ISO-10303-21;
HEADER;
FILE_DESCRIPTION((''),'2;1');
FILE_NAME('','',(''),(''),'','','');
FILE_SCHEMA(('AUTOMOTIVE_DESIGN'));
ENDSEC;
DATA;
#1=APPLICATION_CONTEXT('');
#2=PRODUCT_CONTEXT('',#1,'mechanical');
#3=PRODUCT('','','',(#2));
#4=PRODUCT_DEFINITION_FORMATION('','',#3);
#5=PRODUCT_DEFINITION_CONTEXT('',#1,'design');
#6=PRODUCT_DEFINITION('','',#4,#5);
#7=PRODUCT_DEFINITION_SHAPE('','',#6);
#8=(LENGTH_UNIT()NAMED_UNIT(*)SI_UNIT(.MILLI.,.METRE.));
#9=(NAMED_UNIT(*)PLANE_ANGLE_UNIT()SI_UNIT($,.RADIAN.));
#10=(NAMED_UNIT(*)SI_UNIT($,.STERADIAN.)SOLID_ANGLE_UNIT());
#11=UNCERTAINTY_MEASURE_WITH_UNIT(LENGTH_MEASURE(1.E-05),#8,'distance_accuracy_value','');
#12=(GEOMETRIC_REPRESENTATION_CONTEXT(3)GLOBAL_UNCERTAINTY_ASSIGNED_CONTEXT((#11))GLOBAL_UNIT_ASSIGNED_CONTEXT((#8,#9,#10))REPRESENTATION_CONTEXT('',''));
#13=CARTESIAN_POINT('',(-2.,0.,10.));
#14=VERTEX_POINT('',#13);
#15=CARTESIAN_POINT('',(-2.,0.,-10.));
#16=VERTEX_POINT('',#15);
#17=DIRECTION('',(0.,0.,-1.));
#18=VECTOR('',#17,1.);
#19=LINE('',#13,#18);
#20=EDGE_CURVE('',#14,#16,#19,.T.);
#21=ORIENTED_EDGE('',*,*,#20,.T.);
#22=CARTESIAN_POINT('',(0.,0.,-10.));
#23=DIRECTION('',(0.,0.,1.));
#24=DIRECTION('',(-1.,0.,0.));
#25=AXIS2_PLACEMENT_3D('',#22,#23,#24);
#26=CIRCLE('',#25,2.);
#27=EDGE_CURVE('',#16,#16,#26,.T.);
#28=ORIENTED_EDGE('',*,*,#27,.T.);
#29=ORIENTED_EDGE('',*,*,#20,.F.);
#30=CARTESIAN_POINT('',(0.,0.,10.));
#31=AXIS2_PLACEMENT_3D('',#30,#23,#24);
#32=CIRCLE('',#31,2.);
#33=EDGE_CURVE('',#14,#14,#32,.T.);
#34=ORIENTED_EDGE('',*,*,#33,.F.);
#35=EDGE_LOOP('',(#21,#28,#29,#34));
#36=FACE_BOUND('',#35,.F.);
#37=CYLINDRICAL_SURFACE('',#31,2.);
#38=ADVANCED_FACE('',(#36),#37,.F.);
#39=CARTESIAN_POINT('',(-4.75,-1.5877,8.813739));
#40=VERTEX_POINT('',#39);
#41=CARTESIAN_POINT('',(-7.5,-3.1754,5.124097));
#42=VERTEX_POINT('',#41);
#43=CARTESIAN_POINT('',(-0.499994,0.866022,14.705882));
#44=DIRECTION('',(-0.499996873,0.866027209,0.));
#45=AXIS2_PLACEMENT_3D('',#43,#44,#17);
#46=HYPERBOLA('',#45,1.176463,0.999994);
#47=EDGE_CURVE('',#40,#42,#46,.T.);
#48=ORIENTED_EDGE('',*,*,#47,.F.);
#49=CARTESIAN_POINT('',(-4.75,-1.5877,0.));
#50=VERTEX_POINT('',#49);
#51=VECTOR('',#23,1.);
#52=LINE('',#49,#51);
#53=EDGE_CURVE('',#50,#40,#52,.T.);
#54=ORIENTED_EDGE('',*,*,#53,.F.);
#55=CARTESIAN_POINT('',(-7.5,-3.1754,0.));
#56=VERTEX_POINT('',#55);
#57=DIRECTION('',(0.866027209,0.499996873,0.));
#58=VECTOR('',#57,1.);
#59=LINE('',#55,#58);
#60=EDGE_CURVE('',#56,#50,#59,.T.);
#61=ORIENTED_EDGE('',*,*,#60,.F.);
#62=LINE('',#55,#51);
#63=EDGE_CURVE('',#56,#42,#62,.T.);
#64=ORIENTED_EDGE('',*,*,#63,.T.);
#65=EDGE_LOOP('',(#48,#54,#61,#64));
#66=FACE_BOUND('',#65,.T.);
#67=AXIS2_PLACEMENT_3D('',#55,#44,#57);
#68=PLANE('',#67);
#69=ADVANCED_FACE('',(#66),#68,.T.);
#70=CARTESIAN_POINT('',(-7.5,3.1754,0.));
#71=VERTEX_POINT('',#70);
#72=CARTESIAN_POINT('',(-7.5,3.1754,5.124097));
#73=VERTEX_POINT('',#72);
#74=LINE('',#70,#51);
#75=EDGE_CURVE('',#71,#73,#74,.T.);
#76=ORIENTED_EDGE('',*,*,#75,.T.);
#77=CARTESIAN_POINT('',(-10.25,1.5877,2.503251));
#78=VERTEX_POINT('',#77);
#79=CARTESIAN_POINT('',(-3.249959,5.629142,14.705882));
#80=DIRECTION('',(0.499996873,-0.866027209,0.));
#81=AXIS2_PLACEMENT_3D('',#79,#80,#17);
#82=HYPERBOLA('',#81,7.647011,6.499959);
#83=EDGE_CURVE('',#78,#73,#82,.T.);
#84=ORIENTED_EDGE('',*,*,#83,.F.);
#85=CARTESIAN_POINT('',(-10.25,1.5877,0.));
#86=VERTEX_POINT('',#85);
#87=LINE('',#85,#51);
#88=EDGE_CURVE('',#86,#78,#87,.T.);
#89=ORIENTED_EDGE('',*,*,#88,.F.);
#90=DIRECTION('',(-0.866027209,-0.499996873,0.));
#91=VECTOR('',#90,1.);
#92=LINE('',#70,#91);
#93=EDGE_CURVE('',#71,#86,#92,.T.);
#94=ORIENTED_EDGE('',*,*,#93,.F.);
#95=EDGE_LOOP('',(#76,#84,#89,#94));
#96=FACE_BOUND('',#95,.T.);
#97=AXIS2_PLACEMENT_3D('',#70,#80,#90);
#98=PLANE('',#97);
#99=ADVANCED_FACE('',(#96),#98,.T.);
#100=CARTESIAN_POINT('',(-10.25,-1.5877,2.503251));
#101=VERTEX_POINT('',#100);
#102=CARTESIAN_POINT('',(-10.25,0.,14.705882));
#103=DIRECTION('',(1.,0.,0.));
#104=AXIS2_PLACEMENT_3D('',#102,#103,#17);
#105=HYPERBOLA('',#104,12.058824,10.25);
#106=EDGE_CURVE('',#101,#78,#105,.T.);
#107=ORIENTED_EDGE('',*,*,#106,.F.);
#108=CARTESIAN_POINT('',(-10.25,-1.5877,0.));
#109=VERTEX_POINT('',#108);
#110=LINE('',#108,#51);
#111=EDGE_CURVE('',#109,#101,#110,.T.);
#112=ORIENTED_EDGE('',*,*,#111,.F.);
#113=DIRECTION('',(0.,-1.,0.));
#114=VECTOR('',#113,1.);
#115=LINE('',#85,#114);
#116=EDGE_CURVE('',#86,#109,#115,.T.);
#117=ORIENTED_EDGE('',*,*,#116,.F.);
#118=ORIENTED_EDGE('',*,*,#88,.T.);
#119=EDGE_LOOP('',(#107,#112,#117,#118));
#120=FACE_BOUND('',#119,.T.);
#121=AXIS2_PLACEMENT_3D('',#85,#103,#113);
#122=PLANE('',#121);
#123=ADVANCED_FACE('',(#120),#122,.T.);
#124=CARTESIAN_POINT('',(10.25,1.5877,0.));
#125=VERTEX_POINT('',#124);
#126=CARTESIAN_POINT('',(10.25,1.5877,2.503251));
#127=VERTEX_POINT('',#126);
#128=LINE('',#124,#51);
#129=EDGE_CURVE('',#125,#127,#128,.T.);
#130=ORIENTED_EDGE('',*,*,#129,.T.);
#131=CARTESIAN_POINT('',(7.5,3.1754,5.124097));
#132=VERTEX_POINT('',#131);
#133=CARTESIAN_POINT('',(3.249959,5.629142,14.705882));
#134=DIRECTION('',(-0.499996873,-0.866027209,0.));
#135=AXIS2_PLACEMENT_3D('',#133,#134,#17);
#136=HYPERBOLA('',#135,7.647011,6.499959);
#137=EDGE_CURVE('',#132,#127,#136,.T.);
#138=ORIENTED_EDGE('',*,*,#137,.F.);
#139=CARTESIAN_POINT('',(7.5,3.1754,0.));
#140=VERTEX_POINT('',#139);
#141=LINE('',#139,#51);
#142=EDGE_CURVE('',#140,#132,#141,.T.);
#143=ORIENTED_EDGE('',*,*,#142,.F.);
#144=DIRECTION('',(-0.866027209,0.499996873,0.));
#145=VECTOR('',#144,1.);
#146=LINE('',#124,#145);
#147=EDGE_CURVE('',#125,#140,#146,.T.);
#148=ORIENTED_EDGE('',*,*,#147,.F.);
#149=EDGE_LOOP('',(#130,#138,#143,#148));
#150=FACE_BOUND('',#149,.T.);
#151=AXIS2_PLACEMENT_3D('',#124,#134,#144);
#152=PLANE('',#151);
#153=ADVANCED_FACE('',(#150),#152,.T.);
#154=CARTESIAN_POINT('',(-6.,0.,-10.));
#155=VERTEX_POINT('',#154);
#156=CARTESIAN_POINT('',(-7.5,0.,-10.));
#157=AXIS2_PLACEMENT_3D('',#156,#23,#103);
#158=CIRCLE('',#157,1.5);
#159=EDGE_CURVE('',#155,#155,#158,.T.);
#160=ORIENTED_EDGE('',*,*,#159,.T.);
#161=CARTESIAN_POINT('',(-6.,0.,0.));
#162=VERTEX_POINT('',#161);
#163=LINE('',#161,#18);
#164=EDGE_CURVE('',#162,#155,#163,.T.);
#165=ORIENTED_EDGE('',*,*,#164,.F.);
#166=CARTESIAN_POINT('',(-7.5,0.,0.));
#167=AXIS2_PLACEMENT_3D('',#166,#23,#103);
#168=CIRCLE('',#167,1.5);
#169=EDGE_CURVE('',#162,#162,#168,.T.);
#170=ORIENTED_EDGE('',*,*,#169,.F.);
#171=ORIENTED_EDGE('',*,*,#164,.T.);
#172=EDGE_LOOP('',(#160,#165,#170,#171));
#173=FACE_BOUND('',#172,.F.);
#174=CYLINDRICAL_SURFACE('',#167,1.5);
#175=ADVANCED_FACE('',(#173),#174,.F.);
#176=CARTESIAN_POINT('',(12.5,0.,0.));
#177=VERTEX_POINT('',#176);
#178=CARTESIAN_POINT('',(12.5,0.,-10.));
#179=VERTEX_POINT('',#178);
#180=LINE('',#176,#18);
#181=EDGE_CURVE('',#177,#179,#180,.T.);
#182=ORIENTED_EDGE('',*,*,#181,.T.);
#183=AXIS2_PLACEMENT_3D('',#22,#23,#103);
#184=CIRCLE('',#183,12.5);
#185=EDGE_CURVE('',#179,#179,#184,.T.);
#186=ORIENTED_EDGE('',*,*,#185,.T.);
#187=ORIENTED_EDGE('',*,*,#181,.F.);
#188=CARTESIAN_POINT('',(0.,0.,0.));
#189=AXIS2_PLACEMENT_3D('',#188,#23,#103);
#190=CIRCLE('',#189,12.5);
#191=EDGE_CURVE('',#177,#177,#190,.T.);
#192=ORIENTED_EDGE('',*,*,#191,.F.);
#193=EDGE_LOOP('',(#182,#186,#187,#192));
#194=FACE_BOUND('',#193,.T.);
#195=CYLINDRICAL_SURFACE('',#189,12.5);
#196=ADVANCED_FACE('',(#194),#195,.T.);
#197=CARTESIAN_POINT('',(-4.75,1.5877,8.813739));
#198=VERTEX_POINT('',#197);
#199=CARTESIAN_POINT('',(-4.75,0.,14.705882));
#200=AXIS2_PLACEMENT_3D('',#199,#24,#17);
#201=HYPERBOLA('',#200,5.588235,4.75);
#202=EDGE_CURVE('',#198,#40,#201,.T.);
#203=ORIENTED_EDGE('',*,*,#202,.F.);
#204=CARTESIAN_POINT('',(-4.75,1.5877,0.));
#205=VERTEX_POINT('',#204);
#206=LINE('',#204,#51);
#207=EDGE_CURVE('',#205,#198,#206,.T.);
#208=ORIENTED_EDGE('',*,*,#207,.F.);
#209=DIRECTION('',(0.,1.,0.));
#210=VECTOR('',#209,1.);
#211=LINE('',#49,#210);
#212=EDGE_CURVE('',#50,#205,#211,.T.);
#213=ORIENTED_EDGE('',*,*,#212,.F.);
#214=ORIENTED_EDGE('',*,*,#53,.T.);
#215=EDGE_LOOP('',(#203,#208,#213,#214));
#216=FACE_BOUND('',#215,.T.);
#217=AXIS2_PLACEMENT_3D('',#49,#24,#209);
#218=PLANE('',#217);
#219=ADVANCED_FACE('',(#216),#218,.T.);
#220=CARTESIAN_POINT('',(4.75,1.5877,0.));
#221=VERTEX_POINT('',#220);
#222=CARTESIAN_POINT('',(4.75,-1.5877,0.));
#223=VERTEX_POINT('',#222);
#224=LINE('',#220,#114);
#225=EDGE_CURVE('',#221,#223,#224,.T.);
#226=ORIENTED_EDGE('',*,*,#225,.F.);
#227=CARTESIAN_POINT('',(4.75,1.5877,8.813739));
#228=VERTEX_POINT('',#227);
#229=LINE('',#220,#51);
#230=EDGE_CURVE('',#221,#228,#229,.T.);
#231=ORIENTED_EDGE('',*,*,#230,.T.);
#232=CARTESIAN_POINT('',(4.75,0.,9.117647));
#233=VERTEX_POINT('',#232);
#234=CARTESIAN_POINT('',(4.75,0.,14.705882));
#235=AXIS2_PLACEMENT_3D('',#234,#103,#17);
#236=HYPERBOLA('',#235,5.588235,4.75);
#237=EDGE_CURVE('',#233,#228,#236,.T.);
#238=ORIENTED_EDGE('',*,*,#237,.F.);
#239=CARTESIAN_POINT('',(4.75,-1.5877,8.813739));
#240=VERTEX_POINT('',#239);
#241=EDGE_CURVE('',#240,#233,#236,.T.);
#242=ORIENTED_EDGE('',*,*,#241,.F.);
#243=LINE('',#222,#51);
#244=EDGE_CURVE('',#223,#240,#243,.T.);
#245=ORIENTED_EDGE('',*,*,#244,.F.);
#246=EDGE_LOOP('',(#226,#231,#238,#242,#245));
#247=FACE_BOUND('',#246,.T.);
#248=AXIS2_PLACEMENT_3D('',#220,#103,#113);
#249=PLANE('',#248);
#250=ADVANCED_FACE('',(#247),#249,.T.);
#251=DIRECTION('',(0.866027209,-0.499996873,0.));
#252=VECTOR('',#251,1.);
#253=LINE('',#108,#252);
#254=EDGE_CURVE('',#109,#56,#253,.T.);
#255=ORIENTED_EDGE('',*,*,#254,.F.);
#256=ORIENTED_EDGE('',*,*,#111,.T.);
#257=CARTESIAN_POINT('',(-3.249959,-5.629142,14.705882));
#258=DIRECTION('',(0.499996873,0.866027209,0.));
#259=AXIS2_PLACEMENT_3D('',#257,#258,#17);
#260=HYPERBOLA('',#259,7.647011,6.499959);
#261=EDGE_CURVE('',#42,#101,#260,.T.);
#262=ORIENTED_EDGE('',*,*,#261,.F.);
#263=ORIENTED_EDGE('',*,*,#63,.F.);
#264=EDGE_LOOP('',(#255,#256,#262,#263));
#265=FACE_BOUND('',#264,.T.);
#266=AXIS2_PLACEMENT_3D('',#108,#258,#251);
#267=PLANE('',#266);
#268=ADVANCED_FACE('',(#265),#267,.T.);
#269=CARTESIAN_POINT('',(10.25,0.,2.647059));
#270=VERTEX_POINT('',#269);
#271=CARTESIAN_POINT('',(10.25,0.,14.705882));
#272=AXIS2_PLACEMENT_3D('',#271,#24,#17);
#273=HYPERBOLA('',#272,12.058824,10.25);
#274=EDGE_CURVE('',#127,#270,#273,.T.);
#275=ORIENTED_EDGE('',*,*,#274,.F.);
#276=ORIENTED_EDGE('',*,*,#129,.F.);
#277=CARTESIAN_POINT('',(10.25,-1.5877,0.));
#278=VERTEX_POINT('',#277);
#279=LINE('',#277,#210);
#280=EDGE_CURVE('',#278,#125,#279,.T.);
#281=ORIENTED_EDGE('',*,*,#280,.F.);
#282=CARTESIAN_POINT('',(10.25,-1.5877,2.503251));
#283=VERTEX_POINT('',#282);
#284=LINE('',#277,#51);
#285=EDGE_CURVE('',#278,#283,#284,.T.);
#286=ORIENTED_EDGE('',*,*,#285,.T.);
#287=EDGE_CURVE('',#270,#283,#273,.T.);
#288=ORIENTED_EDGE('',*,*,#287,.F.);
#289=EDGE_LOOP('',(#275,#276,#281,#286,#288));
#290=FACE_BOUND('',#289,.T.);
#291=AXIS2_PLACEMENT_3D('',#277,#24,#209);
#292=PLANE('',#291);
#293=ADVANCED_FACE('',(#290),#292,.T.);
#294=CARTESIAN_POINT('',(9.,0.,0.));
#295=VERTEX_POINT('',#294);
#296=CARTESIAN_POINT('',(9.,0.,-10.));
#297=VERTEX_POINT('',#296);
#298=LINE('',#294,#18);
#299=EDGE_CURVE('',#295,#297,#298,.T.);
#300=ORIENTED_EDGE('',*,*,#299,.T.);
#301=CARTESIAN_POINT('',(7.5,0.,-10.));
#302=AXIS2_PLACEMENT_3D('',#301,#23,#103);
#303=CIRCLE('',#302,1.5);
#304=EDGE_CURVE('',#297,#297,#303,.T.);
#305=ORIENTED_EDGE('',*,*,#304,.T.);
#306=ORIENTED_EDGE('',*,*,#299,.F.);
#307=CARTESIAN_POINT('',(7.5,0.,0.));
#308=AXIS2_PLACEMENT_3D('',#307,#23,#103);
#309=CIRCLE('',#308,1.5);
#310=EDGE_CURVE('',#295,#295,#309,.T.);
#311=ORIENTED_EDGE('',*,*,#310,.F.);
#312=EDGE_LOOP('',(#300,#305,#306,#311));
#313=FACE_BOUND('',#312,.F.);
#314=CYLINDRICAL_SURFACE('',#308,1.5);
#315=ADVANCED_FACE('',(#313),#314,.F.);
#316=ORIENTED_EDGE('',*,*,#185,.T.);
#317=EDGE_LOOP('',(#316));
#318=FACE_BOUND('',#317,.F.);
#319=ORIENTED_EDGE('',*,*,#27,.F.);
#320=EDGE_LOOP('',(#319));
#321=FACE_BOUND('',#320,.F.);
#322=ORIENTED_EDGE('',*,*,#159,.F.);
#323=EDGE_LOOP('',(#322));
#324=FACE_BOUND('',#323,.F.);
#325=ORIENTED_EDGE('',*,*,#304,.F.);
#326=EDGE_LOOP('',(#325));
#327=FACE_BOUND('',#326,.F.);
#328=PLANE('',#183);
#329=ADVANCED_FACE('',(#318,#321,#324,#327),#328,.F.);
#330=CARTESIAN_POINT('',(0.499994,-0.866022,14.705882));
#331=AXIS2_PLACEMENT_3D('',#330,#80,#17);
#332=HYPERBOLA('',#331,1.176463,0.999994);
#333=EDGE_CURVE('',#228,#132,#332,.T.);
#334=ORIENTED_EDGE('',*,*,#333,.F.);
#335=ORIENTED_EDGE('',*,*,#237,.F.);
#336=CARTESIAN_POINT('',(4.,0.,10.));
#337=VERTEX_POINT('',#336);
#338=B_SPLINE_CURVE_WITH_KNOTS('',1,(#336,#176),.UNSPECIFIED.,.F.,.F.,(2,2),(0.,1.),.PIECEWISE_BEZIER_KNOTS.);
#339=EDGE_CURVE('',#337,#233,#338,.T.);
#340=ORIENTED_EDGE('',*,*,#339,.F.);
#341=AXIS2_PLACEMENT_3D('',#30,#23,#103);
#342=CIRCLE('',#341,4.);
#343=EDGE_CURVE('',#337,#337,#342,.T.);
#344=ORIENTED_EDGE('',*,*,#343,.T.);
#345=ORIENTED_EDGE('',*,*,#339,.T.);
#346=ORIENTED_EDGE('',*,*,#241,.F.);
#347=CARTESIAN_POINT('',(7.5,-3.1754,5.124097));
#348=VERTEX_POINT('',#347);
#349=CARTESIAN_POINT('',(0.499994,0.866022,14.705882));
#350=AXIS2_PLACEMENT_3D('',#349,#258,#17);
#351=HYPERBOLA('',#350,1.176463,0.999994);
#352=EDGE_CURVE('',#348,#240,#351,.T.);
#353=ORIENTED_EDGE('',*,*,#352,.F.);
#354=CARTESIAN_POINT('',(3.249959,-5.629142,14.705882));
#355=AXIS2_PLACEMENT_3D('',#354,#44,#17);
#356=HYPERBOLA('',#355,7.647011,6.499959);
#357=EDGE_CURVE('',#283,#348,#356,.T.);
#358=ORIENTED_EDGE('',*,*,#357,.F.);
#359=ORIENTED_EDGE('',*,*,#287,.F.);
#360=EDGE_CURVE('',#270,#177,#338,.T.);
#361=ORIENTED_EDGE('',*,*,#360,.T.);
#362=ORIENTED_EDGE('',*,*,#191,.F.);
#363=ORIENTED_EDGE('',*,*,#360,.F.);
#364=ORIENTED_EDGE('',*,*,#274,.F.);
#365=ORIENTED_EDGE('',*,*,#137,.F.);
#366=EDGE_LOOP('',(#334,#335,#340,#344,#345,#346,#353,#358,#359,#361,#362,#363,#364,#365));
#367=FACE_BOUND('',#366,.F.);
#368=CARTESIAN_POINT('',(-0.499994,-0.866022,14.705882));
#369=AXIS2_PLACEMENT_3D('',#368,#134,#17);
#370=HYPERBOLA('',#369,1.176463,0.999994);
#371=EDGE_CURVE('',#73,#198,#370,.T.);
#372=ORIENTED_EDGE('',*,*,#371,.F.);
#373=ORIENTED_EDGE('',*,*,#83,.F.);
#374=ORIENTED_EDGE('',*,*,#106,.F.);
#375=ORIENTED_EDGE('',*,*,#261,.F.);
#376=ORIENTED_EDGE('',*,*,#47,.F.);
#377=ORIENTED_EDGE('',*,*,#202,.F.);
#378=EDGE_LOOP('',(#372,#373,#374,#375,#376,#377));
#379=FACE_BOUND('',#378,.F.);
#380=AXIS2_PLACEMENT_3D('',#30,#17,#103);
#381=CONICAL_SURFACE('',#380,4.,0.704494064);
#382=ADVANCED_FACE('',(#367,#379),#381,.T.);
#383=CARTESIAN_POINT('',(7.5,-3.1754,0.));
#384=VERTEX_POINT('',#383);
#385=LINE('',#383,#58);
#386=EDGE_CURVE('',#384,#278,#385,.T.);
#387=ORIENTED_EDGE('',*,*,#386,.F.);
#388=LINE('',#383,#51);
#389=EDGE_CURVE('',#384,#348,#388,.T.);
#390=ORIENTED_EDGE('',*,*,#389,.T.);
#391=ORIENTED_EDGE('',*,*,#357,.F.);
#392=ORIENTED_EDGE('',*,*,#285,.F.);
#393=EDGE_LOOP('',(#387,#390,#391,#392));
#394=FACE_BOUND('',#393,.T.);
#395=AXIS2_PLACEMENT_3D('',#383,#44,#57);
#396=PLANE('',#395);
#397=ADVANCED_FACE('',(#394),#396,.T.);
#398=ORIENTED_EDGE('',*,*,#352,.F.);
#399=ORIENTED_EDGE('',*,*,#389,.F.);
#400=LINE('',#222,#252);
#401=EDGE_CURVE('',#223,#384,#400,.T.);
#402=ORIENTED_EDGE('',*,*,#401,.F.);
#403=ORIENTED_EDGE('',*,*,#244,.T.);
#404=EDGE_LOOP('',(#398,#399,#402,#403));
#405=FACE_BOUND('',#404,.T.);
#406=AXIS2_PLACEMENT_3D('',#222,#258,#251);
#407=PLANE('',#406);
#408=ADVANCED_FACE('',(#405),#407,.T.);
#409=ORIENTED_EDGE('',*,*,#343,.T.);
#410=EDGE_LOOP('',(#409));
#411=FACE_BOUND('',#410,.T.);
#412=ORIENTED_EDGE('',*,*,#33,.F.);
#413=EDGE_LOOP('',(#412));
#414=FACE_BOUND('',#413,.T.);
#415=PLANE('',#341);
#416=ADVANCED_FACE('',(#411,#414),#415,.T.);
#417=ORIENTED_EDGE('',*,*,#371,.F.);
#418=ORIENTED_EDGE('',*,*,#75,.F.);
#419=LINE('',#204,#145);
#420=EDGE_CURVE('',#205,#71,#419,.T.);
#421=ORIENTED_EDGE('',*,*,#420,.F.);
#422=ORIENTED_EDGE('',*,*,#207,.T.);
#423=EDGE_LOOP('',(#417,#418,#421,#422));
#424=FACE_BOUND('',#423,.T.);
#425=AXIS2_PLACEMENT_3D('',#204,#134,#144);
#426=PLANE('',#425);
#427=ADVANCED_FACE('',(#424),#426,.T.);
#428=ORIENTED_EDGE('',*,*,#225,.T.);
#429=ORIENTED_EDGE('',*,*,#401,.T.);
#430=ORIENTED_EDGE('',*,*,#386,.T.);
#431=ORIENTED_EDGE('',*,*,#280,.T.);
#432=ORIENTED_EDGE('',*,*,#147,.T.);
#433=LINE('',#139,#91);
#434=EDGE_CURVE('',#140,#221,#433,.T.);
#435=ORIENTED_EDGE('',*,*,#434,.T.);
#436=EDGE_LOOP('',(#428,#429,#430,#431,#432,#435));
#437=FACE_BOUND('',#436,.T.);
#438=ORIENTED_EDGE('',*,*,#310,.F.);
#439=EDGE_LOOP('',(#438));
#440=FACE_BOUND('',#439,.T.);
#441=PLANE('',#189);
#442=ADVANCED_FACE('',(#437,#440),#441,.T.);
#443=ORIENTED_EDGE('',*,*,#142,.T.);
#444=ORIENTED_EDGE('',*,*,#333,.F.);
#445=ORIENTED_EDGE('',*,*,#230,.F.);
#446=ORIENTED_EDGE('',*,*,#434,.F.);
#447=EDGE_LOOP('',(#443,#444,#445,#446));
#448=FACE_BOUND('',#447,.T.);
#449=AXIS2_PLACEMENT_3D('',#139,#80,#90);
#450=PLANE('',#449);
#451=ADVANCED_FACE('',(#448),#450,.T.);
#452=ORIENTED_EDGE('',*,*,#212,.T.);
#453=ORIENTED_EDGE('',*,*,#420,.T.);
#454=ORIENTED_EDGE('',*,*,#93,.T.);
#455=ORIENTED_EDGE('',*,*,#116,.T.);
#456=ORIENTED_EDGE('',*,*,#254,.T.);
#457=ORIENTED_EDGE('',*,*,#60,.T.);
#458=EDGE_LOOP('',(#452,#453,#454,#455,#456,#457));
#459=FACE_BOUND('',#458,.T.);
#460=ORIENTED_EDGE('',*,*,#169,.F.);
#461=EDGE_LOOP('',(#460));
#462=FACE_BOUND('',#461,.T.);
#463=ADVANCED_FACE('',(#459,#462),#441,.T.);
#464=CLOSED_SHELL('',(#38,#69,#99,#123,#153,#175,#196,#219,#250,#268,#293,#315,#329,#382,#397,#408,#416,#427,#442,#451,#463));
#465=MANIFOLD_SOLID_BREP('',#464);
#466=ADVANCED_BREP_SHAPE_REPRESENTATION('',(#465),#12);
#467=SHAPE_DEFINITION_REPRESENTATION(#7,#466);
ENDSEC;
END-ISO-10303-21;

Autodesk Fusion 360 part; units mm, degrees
sketch "Boceto1" plane through (0, 0, 0) normal (0, 0, 1) x (1, 0, 0)
  circle A0 centre (0, 0) radius 12.5
  line L0 (12.5, 0) -> (-12.5, 0) construction
  circle A1 centre (0, 0) radius 4 construction
  circle A2 centre (0, 0) radius 2 construction
  circle A3 centre (7.5, 0) radius 1.5
  circle A4 centre (-7.5, 0) radius 1.5
  line L1 (7.5, -3.1754) -> (10.25, -1.5877)
  line L2 (10.25, -1.5877) -> (10.25, 1.5877)
  line L3 (10.25, 1.5877) -> (7.5, 3.1754)
  line L4 (7.5, 3.1754) -> (4.75, 1.5877)
  line L5 (4.75, 1.5877) -> (4.75, -1.5877)
  line L6 (4.75, -1.5877) -> (7.5, -3.1754)
  line L7 (-7.5, -3.1754) -> (-4.75, -1.5877)
  line L8 (-4.75, -1.5877) -> (-4.75, 1.5877)
  line L9 (-4.75, 1.5877) -> (-7.5, 3.1754)
  line L10 (-7.5, 3.1754) -> (-10.25, 1.5877)
  line L11 (-10.25, 1.5877) -> (-10.25, -1.5877)
  line L12 (-10.25, -1.5877) -> (-7.5, -3.1754)
  point P0 (7.5, 0)
  point P1 (-7.5, 0)
  dimension "d1" = 25
  dimension "d9" = 8
  dimension "d10" = 4
  dimension "d11" = 3
  dimension "d12" = 3
  dimension "d13" = 2.75
  dimension "d14" = 2.75
  dimension "d29" = 7.5
  dimension "d30" = 7.5
extrude "Extruir1" add sketch "Boceto1" against normal blind 10 contours A0 | A3 | A4 | L1 L2 L3 L4 L5 L6 | L7 L8 L9 L10 L11 L12
ref_plane "PlanoDeObra1" through (0, 0, 10) normal (0, 0, 1) x (1, 0, 0)
sketch "Boceto2" plane through (0, 0, 10) normal (0, 0, 1) x (1, 0, 0)
  circle A0 centre (0, 0) radius 12.5
  circle A1 centre (0, 0) radius 4
  dimension "d5" = -8.5
loft "Solevación1" add profiles "Boceto2" section 1 contours A1 section 2 face at (-3.3879, -0.621, 0)
sketch "Boceto3" plane through (0, 0, 10) normal (0, 0, 1) x (-1, 0, 0)
  circle A0 centre (0, 0) radius 4
  circle A1 centre (0, 0) radius 2
  dimension "d6" = 4
extrude "Extruir2" cut sketch "Boceto3" along normal mid plane 78 contours A1
sketch "Boceto4" plane through (0, 0, 10) normal (0, 0, 1) x (-1, 0, 0)
  circle A0 centre (0, 0) radius 2
  circle A1 centre (0, 0) radius 4
extrude "Extruir5" cut sketch "Boceto1" along normal blind 14 contours L1 L2 L3 L4 L5 L6
extrude "Extruir6" cut sketch "Boceto1" along normal blind 29 contours A3
extrude "Extruir7" cut sketch "Boceto1" along normal mid plane 60 contours A3
extrude "Extruir8" cut sketch "Boceto1" along normal blind 25 contours L7 L8 L9 L10 L11 L12
extrude "Extruir9" cut sketch "Boceto1" along normal mid plane 52 contours A4
